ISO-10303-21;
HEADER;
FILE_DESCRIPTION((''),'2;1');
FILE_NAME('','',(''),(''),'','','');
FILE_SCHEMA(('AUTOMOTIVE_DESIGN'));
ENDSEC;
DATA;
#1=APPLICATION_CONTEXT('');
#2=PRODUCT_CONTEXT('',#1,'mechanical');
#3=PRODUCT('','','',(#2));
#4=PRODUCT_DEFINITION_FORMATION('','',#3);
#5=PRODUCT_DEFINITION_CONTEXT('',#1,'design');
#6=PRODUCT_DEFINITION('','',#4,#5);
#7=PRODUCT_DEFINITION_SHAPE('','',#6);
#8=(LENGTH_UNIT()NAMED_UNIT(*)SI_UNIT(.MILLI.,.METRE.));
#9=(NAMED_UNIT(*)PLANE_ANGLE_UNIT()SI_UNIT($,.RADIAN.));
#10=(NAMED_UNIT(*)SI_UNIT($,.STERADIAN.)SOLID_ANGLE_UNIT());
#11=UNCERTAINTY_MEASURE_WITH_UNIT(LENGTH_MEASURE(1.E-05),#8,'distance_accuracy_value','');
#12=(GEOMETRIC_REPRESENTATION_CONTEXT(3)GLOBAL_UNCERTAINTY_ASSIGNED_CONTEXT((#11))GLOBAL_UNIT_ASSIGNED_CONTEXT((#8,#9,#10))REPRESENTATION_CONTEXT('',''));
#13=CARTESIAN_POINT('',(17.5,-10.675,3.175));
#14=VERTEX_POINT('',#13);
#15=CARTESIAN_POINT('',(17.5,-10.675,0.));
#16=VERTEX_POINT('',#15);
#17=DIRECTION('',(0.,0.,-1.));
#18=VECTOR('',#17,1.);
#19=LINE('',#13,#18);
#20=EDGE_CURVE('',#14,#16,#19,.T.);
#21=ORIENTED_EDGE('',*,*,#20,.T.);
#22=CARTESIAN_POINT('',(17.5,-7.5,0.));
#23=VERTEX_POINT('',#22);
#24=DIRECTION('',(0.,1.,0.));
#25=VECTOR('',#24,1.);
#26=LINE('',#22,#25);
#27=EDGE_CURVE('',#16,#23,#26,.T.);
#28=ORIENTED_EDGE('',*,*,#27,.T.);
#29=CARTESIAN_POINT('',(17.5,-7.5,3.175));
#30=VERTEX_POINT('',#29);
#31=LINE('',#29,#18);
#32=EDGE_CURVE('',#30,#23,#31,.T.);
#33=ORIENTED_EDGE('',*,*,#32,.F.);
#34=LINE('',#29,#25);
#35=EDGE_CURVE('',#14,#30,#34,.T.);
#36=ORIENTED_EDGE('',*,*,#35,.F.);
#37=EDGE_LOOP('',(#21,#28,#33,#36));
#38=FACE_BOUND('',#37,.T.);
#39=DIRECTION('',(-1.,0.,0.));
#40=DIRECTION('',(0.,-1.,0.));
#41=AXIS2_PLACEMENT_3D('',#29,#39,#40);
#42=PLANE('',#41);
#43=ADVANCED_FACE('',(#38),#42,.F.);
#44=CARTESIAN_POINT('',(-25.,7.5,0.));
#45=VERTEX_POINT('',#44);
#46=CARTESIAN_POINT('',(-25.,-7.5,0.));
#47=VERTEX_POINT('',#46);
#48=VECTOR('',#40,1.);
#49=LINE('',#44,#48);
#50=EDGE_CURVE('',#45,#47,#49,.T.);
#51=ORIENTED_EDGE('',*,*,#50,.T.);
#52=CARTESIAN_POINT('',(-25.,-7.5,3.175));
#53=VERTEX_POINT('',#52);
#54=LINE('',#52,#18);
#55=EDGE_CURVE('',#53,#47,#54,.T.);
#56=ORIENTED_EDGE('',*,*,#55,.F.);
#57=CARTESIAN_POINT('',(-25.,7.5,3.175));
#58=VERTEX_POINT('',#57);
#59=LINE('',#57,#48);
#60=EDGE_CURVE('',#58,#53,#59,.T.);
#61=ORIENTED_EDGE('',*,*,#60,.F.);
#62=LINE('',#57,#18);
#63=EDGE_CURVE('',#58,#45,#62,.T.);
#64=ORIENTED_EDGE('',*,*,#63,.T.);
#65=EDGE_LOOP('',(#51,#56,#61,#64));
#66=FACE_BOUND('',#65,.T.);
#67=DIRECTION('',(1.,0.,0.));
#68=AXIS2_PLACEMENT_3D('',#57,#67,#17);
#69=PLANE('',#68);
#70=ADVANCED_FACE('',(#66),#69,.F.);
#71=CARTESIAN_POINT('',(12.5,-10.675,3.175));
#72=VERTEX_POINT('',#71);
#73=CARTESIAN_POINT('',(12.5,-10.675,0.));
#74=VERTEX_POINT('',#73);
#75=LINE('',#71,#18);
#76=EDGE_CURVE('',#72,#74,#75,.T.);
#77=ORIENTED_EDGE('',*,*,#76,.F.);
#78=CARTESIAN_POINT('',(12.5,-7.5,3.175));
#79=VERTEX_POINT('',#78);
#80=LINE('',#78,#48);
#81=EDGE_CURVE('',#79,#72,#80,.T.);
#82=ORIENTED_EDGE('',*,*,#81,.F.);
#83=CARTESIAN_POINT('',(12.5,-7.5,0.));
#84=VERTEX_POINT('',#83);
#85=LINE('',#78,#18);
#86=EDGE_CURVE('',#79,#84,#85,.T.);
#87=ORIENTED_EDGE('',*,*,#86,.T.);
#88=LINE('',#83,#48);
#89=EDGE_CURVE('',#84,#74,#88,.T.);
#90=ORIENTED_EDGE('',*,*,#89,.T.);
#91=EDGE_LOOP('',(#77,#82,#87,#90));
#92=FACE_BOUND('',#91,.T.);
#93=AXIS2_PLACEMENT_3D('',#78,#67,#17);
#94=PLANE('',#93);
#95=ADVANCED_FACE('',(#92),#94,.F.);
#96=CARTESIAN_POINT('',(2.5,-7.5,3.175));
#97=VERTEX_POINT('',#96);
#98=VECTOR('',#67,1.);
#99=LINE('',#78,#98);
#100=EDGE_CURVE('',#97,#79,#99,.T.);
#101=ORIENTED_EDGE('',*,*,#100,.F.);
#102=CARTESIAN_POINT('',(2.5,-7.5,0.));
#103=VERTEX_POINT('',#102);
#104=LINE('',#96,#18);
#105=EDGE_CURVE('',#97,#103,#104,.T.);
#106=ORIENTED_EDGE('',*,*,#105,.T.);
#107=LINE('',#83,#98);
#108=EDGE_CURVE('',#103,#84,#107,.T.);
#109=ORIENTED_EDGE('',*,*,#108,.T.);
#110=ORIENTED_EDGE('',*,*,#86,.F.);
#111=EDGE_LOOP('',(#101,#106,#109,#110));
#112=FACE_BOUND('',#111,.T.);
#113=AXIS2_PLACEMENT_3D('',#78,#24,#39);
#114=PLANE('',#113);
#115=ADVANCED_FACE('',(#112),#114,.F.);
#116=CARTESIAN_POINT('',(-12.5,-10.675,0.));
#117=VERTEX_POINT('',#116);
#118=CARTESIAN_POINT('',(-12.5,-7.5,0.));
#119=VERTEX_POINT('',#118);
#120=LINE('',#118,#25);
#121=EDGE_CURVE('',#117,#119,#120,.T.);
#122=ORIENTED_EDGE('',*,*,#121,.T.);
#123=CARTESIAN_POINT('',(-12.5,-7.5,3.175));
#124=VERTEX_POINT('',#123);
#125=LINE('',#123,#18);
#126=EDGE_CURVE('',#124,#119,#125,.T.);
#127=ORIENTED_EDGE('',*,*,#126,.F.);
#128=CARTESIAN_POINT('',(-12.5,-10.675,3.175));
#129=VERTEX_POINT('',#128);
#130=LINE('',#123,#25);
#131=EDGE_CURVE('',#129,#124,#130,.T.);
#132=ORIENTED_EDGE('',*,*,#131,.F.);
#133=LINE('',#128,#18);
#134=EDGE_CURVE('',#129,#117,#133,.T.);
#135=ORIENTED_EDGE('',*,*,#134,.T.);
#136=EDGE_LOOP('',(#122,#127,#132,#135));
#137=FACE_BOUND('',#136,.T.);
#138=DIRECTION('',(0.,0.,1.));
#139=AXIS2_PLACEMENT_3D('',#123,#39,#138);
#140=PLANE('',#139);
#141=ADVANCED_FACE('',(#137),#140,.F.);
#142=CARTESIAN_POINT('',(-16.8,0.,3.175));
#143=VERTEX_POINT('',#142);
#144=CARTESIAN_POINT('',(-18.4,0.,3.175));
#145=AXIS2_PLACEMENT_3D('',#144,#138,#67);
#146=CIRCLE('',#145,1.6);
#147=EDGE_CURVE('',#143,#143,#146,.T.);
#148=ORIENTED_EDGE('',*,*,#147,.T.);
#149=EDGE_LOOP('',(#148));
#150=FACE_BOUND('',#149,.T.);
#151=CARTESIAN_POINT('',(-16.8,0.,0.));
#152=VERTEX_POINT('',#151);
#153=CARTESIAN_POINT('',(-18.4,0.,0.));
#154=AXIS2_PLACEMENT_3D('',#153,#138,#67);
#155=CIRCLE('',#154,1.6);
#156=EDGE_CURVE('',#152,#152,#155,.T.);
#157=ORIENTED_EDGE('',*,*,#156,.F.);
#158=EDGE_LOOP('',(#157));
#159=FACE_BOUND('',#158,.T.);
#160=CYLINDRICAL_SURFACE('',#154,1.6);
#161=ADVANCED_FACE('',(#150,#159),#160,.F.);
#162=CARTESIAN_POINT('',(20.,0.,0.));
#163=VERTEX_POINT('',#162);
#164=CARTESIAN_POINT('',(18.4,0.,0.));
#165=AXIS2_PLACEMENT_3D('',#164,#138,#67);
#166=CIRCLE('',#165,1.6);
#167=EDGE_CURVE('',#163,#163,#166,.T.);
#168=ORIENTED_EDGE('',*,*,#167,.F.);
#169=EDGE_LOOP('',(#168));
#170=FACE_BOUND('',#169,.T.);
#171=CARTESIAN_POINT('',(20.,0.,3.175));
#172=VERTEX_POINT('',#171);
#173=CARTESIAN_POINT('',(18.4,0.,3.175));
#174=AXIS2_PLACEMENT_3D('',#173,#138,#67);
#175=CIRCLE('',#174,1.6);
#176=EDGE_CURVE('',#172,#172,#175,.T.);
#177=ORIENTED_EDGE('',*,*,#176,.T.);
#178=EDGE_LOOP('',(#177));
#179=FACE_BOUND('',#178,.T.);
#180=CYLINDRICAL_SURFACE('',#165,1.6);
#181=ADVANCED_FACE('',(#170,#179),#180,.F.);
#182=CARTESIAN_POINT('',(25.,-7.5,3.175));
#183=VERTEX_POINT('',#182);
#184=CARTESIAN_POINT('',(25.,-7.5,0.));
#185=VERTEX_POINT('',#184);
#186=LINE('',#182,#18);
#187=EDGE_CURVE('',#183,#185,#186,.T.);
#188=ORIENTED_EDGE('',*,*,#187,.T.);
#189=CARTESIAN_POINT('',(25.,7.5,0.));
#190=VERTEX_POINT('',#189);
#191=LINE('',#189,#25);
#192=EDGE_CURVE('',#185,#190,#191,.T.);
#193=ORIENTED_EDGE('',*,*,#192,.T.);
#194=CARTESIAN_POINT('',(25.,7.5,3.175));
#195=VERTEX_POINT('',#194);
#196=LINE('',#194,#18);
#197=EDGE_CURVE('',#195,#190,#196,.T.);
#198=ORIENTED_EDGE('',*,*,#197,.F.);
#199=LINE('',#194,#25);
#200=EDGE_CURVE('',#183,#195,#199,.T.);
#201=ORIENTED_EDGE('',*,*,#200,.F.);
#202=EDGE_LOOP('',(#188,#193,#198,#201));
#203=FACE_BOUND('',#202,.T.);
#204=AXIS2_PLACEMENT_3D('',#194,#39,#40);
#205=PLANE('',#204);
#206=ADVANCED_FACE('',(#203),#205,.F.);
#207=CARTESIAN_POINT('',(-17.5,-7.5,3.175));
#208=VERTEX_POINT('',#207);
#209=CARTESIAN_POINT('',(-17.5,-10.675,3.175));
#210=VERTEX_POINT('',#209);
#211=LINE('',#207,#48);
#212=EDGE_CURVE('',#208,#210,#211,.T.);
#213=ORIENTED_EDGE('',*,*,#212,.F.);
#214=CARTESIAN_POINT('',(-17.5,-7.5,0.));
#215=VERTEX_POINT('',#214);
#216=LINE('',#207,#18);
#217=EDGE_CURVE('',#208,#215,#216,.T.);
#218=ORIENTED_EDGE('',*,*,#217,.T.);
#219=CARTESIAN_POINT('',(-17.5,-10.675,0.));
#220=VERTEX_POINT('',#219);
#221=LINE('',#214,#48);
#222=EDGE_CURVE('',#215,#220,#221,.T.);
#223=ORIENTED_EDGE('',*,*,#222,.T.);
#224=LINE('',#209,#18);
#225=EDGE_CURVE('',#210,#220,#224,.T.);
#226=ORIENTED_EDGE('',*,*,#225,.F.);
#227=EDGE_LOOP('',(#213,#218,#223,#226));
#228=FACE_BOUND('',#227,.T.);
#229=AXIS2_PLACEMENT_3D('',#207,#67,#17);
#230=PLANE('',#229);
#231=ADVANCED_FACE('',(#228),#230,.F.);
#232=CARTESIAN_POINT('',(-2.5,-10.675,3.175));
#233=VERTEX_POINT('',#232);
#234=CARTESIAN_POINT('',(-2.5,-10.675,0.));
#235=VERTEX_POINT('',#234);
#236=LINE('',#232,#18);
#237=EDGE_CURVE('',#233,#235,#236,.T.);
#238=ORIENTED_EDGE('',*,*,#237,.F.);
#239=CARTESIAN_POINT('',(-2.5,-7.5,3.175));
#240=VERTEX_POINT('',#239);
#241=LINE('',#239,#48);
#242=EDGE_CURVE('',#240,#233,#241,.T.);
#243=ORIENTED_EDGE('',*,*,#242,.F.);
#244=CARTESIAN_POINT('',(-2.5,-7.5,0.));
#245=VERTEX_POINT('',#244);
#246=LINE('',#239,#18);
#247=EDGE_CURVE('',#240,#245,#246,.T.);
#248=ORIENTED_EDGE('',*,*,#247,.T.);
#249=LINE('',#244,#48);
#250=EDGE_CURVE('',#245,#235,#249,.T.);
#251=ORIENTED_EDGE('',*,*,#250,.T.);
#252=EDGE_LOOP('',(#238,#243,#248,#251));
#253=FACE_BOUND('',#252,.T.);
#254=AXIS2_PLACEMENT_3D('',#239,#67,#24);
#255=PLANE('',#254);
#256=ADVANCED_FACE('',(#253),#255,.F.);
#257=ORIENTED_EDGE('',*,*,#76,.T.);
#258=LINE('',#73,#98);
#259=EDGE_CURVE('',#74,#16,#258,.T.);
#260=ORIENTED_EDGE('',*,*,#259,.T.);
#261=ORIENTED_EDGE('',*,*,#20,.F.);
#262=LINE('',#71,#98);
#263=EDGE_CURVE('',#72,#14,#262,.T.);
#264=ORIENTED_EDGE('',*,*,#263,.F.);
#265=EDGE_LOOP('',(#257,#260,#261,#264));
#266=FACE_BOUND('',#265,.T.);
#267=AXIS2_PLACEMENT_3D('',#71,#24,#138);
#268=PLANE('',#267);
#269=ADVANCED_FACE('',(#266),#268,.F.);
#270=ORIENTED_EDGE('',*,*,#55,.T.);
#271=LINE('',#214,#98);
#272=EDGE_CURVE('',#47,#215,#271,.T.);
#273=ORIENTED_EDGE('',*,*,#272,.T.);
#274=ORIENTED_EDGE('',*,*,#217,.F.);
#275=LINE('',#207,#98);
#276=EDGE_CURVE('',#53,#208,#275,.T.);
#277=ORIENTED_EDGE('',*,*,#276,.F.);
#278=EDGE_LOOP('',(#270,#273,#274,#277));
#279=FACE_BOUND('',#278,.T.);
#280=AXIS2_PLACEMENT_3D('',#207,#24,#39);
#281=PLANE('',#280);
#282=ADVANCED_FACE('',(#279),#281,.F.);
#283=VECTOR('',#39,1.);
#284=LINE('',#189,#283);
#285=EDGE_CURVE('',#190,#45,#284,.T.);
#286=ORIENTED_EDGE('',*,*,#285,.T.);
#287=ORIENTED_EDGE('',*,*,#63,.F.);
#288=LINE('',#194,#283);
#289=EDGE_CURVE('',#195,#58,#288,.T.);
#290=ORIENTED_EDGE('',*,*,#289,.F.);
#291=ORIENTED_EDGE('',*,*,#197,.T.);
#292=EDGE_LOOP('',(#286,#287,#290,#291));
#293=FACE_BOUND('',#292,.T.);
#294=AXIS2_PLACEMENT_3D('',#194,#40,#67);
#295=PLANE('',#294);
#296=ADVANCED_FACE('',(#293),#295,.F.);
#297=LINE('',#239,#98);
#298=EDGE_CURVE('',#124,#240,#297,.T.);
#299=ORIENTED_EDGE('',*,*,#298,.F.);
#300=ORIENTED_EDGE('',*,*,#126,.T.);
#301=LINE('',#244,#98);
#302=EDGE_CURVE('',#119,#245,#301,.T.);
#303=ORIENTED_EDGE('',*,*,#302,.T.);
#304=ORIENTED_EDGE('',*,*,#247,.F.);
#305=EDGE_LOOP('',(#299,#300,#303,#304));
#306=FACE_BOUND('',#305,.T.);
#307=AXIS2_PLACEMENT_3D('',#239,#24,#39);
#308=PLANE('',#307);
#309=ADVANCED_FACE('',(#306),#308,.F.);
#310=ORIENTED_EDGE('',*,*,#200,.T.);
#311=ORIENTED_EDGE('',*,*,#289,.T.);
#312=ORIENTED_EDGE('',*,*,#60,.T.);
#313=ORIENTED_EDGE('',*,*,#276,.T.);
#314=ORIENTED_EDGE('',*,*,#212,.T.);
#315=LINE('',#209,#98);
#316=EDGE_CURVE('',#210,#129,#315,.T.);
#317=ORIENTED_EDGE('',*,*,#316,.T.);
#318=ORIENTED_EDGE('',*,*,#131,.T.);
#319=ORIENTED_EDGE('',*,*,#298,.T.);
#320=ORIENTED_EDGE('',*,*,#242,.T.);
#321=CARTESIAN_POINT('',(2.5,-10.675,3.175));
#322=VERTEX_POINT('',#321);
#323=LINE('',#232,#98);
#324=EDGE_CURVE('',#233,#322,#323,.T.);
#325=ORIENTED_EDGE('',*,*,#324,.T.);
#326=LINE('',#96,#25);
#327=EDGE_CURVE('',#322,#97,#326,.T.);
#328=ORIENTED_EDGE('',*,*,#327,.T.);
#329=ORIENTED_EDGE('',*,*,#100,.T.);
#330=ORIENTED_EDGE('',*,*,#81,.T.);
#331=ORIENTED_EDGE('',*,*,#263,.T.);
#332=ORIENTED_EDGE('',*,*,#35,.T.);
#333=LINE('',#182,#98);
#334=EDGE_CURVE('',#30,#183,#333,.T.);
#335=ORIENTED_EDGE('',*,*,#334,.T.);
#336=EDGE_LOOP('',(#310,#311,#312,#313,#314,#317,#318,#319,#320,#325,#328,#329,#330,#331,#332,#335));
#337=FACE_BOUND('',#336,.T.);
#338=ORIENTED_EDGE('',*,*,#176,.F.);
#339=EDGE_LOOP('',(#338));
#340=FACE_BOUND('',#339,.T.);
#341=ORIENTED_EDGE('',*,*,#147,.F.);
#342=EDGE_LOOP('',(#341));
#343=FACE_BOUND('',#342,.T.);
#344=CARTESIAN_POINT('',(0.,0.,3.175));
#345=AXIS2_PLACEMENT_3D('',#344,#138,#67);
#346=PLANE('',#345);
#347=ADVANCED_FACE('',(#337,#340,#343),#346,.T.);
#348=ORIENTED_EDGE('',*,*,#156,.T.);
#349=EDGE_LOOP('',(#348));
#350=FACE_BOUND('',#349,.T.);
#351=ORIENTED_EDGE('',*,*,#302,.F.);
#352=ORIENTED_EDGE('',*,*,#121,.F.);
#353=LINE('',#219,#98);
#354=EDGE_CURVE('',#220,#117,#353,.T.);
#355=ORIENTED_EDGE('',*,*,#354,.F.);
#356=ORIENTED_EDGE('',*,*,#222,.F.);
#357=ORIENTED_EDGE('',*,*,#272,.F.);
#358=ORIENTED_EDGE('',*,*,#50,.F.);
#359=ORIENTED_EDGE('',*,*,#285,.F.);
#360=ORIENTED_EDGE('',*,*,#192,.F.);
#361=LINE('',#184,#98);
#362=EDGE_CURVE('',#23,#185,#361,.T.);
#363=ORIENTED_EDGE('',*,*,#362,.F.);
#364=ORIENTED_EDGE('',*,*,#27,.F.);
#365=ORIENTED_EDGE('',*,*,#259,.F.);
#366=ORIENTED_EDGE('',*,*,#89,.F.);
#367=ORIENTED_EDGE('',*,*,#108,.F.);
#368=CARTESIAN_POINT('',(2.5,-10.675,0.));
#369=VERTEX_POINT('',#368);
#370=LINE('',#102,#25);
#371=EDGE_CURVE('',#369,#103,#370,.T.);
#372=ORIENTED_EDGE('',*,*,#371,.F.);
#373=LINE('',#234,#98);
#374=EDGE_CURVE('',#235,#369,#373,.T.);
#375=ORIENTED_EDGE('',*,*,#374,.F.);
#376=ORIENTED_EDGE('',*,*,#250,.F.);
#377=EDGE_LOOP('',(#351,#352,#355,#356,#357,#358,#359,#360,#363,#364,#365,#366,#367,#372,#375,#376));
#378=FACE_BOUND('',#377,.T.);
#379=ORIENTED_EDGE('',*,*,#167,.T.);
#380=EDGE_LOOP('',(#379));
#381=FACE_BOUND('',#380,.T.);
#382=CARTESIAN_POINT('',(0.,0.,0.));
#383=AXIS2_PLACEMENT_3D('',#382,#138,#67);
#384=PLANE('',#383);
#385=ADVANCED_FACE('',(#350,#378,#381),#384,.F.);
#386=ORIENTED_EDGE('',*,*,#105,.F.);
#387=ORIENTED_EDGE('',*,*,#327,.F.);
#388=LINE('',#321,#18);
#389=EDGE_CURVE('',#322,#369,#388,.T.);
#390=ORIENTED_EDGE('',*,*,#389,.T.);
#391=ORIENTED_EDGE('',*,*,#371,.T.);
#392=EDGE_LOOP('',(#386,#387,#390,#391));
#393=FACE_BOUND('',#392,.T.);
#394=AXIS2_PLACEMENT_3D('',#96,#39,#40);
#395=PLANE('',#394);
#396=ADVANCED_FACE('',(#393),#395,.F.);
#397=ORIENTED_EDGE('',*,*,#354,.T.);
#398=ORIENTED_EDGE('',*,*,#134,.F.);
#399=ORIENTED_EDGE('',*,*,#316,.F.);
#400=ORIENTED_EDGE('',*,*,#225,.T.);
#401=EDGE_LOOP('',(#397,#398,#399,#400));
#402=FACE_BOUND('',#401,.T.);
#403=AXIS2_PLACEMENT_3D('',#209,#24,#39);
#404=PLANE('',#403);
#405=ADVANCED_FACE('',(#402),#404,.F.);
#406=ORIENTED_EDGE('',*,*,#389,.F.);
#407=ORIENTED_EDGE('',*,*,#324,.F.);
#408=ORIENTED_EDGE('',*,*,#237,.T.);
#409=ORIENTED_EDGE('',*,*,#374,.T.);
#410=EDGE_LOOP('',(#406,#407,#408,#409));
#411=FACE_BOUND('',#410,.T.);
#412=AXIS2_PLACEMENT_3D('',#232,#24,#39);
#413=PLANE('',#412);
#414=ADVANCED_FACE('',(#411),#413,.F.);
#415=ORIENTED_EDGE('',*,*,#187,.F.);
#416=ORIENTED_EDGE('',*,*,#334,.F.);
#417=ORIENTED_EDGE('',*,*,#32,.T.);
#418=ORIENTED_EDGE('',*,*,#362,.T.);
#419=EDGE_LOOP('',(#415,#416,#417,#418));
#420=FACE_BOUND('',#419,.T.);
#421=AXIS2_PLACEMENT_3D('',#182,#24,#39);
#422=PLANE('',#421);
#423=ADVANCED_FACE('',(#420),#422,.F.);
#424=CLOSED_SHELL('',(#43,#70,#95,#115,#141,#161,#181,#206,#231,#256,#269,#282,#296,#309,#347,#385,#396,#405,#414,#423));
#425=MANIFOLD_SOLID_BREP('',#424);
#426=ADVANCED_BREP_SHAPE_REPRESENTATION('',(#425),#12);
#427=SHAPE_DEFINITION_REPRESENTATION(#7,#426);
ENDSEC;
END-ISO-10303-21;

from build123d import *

# Parameters (mm, degrees)
BOSS_EXTRUDE1_DEPTH = 3.175
SKETCH2_R           = 1.6
CUT_EXTRUDE1_DEPTH  = 3.175


with BuildPart() as part:
    # Sketch1 → Boss-Extrude1 (new body)
    with BuildSketch(Plane.XY):
        Polygon((25, 7.5), (-25, 7.5), (-25, -7.5), (-17.5, -7.5), (-17.5, -10.675), (-12.5, -10.675), (-12.5, -7.5), (-2.5, -7.5), (-2.5, -10.675), (2.5, -10.675), (2.5, -7.5), (12.5, -7.5), (12.5, -10.675), (17.5, -10.675), (17.5, -7.5), (25, -7.5), align=None)
    extrude(amount=BOSS_EXTRUDE1_DEPTH)

    # Sketch2 → Cut-Extrude1 (cut)
    with BuildSketch(Plane.XY.offset(3.175)):
        with Locations((-18.4, 0)):
            Circle(SKETCH2_R)
        with Locations((18.4, 0)):
            Circle(SKETCH2_R)
    extrude(amount=-CUT_EXTRUDE1_DEPTH, mode=Mode.SUBTRACT)


solid = part.part
